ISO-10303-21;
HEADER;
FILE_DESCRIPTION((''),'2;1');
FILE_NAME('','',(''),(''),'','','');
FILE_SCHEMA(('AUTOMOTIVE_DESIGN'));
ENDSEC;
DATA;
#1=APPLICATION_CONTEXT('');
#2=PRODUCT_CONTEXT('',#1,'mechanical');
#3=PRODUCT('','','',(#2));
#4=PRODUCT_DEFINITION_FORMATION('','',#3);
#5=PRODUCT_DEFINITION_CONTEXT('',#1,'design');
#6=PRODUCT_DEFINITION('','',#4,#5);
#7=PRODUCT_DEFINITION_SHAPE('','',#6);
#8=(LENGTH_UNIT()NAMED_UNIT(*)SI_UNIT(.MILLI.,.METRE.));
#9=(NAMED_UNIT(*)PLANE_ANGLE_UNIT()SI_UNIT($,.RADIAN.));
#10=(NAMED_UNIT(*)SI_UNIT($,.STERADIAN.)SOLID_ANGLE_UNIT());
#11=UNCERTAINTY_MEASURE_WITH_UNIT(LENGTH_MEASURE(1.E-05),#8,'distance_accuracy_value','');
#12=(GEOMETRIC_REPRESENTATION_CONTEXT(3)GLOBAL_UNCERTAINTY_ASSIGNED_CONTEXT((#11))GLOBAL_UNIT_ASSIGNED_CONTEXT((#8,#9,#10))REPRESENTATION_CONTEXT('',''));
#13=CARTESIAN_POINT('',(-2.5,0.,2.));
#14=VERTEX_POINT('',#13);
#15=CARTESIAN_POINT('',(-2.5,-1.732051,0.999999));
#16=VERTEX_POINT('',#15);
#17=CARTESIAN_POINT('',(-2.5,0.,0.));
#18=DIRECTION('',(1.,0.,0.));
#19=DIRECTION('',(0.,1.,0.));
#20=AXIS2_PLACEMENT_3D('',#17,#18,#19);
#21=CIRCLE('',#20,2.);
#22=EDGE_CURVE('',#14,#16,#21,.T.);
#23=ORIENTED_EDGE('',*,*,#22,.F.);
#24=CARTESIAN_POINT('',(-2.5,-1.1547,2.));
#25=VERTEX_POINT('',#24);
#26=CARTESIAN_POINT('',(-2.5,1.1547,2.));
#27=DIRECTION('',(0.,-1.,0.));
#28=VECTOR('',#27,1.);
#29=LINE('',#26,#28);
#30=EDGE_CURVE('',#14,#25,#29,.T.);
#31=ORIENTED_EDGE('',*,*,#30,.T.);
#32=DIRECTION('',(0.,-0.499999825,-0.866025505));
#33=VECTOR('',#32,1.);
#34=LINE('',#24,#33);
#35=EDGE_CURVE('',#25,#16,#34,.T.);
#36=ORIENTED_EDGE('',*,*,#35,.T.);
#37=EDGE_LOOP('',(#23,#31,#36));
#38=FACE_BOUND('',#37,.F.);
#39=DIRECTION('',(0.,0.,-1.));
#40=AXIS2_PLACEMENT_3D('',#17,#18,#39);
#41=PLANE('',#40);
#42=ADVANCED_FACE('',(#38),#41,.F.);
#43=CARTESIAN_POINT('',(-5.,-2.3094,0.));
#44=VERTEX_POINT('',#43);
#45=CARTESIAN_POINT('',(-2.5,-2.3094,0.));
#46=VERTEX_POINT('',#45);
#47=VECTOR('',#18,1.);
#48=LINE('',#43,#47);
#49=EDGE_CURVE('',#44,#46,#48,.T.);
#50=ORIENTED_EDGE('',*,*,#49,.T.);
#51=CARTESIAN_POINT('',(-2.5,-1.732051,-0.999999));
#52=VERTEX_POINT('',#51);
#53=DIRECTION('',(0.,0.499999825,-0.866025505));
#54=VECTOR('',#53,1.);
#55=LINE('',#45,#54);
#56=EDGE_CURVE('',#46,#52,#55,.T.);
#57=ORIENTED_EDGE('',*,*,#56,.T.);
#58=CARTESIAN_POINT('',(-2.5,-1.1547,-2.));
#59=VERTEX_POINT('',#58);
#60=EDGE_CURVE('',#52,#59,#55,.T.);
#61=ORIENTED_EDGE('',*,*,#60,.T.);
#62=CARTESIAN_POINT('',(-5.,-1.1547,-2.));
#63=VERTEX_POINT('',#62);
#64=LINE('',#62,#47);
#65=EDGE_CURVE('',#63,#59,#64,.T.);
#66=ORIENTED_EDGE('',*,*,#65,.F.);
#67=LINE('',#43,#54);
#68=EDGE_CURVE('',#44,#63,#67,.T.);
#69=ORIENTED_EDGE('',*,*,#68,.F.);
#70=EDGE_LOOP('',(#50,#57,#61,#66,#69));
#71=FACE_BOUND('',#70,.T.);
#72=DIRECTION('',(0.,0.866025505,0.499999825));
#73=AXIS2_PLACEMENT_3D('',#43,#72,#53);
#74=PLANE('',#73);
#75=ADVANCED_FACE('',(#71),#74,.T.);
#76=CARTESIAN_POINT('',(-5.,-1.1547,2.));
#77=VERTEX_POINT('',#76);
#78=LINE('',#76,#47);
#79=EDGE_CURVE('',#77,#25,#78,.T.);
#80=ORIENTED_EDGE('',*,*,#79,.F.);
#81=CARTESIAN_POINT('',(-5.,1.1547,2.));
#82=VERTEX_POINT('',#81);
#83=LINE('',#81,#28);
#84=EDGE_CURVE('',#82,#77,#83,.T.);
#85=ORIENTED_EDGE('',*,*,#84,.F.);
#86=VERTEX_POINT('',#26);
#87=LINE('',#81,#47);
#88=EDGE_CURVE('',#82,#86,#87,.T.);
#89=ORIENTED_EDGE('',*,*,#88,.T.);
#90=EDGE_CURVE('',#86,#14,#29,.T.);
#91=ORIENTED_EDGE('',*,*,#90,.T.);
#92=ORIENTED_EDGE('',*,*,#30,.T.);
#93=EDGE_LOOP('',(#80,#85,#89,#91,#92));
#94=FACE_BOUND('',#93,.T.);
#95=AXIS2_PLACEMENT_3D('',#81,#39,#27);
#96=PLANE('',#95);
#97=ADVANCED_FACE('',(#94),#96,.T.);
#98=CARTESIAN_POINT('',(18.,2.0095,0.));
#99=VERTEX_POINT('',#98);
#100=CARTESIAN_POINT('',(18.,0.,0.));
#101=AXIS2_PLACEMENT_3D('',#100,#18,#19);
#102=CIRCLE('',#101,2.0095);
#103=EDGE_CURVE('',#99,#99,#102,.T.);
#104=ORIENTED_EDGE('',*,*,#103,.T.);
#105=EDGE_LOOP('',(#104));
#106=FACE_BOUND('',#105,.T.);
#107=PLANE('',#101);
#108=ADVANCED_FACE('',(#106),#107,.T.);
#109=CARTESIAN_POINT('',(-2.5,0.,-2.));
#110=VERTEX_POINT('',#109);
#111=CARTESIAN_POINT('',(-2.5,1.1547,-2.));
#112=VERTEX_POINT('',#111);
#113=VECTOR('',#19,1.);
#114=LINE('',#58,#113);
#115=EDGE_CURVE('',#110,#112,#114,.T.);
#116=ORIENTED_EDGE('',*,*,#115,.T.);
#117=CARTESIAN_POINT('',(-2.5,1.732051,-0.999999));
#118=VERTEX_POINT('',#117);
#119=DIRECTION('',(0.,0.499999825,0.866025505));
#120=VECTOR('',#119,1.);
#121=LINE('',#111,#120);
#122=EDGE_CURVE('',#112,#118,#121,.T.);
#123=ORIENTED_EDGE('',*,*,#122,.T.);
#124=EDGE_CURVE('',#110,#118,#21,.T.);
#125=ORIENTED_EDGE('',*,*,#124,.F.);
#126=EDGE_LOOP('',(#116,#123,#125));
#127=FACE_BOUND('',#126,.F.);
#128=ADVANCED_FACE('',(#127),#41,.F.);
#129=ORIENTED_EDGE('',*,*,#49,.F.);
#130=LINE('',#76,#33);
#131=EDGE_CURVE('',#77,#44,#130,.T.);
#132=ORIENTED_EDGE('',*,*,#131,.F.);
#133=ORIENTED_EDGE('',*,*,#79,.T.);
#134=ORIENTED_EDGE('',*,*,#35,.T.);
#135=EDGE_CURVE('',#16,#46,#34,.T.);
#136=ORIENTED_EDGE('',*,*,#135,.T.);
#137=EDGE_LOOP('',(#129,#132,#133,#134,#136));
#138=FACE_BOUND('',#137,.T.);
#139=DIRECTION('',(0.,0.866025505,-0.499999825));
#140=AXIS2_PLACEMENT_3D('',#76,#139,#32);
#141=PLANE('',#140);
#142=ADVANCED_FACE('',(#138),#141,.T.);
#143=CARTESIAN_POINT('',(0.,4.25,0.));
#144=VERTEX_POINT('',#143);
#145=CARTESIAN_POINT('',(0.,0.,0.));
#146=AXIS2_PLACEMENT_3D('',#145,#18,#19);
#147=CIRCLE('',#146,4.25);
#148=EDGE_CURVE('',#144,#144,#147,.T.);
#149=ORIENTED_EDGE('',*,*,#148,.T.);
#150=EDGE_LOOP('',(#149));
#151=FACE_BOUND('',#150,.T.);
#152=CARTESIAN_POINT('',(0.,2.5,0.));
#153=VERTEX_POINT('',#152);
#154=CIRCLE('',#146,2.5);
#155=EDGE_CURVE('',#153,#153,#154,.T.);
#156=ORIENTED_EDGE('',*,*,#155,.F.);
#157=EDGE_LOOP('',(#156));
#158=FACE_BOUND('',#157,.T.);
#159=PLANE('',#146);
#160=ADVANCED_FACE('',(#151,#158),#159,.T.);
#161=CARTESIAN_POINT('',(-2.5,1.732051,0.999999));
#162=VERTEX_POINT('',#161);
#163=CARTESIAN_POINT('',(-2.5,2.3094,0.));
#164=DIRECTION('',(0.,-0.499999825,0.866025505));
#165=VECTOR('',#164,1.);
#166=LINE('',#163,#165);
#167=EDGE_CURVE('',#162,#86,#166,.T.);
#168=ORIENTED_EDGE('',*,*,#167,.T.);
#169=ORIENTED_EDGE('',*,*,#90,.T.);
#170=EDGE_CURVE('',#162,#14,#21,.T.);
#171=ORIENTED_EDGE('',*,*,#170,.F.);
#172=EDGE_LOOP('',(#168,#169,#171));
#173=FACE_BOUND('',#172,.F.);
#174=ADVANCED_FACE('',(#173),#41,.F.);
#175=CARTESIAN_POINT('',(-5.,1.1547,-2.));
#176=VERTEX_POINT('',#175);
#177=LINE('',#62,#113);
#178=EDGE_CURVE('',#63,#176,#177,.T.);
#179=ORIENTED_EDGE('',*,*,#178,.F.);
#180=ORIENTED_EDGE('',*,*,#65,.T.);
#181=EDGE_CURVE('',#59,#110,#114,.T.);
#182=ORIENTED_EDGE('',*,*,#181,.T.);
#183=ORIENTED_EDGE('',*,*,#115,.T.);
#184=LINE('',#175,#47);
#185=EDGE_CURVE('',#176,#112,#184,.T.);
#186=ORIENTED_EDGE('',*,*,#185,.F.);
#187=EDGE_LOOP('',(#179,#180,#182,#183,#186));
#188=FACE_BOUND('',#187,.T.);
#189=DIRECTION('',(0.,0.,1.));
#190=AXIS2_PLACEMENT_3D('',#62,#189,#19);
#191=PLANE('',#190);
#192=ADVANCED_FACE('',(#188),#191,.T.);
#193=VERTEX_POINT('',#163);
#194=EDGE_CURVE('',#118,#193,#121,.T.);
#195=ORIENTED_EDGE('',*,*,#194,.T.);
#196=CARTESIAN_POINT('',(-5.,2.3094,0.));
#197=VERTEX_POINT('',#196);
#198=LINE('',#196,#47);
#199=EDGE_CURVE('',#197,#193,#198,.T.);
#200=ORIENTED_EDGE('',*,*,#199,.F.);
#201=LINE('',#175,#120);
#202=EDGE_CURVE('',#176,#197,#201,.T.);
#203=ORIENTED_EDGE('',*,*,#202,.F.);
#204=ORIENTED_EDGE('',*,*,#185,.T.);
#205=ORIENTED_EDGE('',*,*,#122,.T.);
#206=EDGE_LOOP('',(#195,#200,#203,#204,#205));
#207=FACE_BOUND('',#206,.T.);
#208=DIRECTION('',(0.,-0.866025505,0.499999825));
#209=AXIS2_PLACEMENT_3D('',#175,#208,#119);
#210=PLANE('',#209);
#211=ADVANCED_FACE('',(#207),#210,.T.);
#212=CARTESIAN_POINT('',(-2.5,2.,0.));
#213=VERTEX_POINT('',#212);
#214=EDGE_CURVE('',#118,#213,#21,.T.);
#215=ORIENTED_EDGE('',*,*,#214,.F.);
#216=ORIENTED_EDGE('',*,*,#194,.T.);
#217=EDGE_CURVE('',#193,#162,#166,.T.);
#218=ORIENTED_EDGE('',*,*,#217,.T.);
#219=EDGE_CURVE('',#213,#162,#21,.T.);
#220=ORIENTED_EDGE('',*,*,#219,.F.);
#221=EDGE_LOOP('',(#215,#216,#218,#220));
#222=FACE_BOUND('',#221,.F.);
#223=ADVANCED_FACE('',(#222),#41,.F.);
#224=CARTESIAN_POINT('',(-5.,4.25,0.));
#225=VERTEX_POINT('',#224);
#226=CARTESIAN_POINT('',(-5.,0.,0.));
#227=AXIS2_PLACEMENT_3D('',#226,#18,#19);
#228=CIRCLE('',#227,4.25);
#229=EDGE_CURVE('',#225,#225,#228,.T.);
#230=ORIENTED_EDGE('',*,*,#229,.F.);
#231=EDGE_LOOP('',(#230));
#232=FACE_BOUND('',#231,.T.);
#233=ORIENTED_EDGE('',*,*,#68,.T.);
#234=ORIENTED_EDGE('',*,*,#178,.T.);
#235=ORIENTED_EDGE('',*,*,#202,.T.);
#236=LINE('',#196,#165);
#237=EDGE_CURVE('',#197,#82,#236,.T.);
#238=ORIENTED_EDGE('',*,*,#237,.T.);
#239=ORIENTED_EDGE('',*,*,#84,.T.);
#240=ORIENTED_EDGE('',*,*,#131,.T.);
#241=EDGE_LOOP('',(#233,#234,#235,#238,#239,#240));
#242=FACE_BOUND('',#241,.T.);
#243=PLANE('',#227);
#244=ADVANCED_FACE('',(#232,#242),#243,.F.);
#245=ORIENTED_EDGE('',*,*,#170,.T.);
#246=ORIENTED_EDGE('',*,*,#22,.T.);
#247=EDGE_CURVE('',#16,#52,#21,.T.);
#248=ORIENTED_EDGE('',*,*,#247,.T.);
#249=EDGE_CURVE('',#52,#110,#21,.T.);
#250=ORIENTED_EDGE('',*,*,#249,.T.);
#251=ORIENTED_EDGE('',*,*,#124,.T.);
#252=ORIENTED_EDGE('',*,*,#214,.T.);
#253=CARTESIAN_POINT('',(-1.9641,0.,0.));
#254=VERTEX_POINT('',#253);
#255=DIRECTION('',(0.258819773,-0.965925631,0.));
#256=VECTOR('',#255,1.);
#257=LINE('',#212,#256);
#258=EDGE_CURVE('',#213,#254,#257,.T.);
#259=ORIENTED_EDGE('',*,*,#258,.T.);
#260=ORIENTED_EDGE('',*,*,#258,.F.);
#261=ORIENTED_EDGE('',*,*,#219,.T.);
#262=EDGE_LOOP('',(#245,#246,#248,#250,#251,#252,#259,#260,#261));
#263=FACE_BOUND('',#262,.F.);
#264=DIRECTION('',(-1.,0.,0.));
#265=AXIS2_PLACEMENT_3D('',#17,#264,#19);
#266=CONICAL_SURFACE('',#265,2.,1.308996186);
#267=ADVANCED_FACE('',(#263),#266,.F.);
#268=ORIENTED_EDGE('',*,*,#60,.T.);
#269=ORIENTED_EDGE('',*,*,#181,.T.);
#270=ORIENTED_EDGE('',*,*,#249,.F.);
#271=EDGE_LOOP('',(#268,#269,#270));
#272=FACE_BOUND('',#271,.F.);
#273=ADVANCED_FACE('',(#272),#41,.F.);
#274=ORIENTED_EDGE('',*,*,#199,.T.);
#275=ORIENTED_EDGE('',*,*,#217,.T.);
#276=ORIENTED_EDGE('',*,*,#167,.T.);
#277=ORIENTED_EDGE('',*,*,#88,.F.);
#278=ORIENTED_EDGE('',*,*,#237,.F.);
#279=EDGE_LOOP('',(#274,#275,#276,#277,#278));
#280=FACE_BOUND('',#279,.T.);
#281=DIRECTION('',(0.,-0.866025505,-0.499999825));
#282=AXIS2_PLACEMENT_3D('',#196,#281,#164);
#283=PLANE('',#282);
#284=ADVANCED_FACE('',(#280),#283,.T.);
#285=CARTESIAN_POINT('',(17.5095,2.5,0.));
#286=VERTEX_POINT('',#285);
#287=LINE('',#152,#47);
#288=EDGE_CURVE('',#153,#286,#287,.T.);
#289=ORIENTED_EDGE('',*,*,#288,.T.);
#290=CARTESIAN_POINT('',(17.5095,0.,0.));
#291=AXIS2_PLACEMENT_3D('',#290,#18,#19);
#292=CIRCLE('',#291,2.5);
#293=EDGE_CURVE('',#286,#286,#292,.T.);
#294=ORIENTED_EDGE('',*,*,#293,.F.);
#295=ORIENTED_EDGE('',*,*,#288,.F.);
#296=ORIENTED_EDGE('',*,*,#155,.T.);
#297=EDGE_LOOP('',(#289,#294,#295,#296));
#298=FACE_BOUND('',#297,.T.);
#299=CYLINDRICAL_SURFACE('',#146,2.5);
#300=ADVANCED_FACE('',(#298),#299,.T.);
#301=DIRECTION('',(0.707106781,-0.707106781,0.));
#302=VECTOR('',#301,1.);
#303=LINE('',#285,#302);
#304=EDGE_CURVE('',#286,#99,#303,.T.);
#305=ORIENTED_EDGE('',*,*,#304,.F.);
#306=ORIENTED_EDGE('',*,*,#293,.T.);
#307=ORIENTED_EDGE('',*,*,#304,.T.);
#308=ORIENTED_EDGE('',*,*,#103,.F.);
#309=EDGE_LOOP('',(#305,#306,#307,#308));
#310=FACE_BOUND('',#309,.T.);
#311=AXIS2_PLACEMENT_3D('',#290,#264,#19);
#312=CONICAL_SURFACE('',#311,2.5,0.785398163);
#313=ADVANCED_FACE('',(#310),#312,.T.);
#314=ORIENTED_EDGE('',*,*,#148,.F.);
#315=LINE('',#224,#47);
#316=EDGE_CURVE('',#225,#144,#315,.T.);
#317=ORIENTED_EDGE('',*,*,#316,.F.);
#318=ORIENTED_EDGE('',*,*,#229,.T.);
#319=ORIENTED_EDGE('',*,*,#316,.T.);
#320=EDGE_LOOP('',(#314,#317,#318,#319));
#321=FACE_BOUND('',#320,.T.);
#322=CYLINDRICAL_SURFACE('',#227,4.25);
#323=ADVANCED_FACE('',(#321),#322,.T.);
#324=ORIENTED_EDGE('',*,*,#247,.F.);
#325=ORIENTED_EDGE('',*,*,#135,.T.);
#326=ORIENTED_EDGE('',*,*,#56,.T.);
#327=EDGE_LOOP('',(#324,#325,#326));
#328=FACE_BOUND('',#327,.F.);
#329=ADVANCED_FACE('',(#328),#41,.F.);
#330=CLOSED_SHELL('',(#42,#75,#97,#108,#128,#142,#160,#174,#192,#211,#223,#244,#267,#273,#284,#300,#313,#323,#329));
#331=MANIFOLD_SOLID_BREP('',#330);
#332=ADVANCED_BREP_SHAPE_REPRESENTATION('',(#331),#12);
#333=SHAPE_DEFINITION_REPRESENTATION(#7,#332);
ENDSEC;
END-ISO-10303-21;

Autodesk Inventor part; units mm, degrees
sketch "Sketch_1" plane through (0, 0, 0) normal (0, 0, 1) x (1, 0, 0)
  line L0 (18, 0) -> (-5, 0)
  line L1 (-5, 0) -> (-5, 4.25)
  line L2 (-5, 4.25) -> (0, 4.25)
  line L3 (0, 4.25) -> (0, 2.5)
  line L4 (0, 2.5) -> (17.5095, 2.5)
  line L5 (17.5095, 2.5) -> (18, 2.0095)
  line L6 (18, 2.0095) -> (18, 0)
  line L7 (18, 0) -> (-5, 0)
revolve "Revolution1" add sketch "Sketch_1" angle 360 about axis through (18, 0, 0) along (1, 0, 0)
thread "Thread1" size "M5x0.8" class "6g" standard "ISO Metric profile" length 17.5 offset 0.5
sketch "Sketch_4" plane through (0, 0, 0) normal (0, 0, 1) x (1, 0, 0)
  line L0 (-1.9641, 0) -> (-5, 0)
  line L1 (-5, 0) -> (-5, 2)
  line L2 (-5, 2) -> (-2.5, 2)
  line L3 (-2.5, 2) -> (-1.9641, 0)
  line L4 (-1.9641, 0) -> (-5, 0)
revolve "Revolution2" cut sketch "Sketch_4" angle 360 about axis through (-1.9641, 0, 0) along (1, 0, 0)
sketch "Sketch_3" plane through (-5, 0, 0) normal (1, 0, 0) x (0, 0, -1)
  line L0 (-2, 1.1547) -> (-2, -1.1547)
  line L1 (-2, -1.1547) -> (0, -2.3094)
  line L2 (0, -2.3094) -> (2, -1.1547)
  line L3 (2, -1.1547) -> (2, 1.1547)
  line L4 (2, 1.1547) -> (0, 2.3094)
  line L5 (0, 2.3094) -> (-2, 1.1547)
extrude "Extrusion1" cut sketch "Sketch_3" along normal blind 2.5
ref_plane "bolt_XY" through (0, 0, 0) normal (1, 0, 0) x (0, 0, -1)
ref_plane "bolt_YZ" through (0, 0, 0) normal (0, 0, -1) x (0, 1, 0)
ref_plane "bolt_ZX" through (0, 0, 0) normal (0, 1, 0) x (1, 0, 0)
ref_plane "nut_XY" through (18, 0, 0) normal (1, 0, 0) x (0, 0, -1)
ref_plane "nut_YZ" through (18, 0, 0) normal (0, 0, -1) x (0, 1, 0)
ref_plane "nut_ZX" through (18, 0, 0) normal (0, 1, 0) x (1, 0, 0)
properties part number "CBM5-18" material "MISUMI"
